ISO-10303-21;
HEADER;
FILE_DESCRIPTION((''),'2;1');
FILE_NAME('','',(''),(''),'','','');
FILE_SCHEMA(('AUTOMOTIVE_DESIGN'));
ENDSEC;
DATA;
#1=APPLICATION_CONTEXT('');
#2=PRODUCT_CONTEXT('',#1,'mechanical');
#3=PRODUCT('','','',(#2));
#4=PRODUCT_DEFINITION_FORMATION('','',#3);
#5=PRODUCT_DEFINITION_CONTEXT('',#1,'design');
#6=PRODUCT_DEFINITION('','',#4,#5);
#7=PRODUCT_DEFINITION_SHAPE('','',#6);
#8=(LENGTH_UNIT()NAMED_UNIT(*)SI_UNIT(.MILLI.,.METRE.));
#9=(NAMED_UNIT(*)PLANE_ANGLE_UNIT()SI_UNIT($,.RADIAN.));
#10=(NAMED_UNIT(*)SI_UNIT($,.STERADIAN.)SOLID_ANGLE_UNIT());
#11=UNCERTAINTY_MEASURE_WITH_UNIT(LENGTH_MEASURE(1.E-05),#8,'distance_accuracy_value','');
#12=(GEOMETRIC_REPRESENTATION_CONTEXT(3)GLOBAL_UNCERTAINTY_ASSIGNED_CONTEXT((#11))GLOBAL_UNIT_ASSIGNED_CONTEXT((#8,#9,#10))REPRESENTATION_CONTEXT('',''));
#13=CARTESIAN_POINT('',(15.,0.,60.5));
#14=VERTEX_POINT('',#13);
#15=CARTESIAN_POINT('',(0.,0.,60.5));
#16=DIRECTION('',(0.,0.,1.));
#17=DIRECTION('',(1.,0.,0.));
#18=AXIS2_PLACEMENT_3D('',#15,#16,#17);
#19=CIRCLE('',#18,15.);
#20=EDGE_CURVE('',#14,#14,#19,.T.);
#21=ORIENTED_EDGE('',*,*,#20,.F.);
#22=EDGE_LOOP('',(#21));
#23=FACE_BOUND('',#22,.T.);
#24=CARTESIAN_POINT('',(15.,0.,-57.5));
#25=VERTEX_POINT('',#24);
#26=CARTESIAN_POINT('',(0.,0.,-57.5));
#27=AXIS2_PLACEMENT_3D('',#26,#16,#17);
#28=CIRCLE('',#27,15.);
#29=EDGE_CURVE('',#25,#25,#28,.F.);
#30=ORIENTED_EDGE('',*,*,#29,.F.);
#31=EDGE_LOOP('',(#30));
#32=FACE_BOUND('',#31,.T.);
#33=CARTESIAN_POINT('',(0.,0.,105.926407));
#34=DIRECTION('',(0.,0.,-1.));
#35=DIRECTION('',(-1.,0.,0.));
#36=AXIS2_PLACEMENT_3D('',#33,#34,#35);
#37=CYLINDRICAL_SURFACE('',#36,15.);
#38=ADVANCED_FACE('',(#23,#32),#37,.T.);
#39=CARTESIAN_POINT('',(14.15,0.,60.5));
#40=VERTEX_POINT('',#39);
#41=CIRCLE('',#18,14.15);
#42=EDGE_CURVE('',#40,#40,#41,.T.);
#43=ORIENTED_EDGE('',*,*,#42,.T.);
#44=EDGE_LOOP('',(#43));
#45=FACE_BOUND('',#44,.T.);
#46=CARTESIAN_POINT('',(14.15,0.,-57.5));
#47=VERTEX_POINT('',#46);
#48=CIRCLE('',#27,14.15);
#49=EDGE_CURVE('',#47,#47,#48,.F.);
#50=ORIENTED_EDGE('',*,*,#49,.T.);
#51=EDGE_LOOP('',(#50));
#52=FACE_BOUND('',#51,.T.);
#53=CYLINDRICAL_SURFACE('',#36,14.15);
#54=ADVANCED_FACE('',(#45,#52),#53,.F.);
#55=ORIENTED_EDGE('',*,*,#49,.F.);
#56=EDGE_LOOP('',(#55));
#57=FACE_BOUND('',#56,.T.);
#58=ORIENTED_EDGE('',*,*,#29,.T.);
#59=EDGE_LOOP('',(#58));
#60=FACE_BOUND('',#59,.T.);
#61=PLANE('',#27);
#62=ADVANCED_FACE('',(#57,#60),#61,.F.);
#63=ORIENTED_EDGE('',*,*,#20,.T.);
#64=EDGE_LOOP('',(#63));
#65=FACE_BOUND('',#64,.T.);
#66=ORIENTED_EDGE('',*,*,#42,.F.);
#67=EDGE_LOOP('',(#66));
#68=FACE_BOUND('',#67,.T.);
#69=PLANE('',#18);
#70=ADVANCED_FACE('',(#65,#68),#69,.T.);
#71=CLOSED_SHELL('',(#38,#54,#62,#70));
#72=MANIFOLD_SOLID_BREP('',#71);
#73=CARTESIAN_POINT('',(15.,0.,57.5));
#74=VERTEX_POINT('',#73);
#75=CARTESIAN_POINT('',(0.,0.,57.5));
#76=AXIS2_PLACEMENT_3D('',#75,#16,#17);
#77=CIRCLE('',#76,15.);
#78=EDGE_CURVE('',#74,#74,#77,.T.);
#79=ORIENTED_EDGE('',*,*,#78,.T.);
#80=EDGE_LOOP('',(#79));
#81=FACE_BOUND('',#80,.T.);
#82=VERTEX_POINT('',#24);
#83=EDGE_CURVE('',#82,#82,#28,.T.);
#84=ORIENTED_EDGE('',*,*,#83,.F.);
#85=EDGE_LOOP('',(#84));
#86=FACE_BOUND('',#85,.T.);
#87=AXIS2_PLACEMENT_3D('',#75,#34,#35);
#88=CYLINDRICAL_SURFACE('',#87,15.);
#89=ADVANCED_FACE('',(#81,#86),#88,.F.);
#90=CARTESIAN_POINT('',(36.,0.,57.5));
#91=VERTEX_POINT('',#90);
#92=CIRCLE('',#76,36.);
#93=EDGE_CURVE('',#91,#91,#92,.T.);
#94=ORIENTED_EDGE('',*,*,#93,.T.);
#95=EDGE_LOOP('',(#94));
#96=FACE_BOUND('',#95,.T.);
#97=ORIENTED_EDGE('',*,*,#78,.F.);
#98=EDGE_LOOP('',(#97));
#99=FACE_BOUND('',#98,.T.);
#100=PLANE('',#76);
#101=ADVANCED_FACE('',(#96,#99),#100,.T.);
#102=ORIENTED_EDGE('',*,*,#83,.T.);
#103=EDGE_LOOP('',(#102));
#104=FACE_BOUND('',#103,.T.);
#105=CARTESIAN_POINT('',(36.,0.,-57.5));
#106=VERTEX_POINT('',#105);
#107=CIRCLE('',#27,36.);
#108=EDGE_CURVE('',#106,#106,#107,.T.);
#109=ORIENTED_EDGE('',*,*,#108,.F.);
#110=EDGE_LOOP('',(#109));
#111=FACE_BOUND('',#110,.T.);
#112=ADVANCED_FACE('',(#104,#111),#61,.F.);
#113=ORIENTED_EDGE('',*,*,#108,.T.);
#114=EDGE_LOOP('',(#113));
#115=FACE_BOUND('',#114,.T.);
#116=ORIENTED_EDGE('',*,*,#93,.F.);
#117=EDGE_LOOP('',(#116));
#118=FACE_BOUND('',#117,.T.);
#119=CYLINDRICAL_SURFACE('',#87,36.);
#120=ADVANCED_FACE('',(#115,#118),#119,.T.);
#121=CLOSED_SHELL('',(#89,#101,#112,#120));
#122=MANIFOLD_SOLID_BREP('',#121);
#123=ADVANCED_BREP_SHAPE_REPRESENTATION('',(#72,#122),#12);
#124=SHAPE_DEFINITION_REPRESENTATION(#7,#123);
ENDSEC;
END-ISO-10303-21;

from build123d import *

# Parameters (mm, degrees)
SKETCH_1_R           = 36
SKETCH_1_R_2         = 15
EXTRUDE_1_DEPTH      = 57.5
EXTRUDE_2_DEPTH      = 60.5
EXTRUDE_2_DEPTH_BACK = 57.5
SKETCH_2_R           = 15
SKETCH_2_R_2         = 14.15


with BuildPart() as part:
    # 草图1 → 凸台-拉伸1 (new, symmetric)
    with BuildSketch(Plane.XY):
        Circle(SKETCH_1_R)
        Circle(SKETCH_1_R_2, mode=Mode.SUBTRACT)
    extrude(amount=EXTRUDE_1_DEPTH, both=True)


with BuildPart() as body_2:
    # 草图2 → 凸台-拉伸2 (new, two sides: drawn at the far end of the back side and taken through both)
    with BuildSketch(Plane.XY.offset(-EXTRUDE_2_DEPTH_BACK)):
        Circle(SKETCH_2_R)
        Circle(SKETCH_2_R_2, mode=Mode.SUBTRACT)
    extrude(amount=EXTRUDE_2_DEPTH + EXTRUDE_2_DEPTH_BACK)


solid = Compound([part.part, body_2.part])
